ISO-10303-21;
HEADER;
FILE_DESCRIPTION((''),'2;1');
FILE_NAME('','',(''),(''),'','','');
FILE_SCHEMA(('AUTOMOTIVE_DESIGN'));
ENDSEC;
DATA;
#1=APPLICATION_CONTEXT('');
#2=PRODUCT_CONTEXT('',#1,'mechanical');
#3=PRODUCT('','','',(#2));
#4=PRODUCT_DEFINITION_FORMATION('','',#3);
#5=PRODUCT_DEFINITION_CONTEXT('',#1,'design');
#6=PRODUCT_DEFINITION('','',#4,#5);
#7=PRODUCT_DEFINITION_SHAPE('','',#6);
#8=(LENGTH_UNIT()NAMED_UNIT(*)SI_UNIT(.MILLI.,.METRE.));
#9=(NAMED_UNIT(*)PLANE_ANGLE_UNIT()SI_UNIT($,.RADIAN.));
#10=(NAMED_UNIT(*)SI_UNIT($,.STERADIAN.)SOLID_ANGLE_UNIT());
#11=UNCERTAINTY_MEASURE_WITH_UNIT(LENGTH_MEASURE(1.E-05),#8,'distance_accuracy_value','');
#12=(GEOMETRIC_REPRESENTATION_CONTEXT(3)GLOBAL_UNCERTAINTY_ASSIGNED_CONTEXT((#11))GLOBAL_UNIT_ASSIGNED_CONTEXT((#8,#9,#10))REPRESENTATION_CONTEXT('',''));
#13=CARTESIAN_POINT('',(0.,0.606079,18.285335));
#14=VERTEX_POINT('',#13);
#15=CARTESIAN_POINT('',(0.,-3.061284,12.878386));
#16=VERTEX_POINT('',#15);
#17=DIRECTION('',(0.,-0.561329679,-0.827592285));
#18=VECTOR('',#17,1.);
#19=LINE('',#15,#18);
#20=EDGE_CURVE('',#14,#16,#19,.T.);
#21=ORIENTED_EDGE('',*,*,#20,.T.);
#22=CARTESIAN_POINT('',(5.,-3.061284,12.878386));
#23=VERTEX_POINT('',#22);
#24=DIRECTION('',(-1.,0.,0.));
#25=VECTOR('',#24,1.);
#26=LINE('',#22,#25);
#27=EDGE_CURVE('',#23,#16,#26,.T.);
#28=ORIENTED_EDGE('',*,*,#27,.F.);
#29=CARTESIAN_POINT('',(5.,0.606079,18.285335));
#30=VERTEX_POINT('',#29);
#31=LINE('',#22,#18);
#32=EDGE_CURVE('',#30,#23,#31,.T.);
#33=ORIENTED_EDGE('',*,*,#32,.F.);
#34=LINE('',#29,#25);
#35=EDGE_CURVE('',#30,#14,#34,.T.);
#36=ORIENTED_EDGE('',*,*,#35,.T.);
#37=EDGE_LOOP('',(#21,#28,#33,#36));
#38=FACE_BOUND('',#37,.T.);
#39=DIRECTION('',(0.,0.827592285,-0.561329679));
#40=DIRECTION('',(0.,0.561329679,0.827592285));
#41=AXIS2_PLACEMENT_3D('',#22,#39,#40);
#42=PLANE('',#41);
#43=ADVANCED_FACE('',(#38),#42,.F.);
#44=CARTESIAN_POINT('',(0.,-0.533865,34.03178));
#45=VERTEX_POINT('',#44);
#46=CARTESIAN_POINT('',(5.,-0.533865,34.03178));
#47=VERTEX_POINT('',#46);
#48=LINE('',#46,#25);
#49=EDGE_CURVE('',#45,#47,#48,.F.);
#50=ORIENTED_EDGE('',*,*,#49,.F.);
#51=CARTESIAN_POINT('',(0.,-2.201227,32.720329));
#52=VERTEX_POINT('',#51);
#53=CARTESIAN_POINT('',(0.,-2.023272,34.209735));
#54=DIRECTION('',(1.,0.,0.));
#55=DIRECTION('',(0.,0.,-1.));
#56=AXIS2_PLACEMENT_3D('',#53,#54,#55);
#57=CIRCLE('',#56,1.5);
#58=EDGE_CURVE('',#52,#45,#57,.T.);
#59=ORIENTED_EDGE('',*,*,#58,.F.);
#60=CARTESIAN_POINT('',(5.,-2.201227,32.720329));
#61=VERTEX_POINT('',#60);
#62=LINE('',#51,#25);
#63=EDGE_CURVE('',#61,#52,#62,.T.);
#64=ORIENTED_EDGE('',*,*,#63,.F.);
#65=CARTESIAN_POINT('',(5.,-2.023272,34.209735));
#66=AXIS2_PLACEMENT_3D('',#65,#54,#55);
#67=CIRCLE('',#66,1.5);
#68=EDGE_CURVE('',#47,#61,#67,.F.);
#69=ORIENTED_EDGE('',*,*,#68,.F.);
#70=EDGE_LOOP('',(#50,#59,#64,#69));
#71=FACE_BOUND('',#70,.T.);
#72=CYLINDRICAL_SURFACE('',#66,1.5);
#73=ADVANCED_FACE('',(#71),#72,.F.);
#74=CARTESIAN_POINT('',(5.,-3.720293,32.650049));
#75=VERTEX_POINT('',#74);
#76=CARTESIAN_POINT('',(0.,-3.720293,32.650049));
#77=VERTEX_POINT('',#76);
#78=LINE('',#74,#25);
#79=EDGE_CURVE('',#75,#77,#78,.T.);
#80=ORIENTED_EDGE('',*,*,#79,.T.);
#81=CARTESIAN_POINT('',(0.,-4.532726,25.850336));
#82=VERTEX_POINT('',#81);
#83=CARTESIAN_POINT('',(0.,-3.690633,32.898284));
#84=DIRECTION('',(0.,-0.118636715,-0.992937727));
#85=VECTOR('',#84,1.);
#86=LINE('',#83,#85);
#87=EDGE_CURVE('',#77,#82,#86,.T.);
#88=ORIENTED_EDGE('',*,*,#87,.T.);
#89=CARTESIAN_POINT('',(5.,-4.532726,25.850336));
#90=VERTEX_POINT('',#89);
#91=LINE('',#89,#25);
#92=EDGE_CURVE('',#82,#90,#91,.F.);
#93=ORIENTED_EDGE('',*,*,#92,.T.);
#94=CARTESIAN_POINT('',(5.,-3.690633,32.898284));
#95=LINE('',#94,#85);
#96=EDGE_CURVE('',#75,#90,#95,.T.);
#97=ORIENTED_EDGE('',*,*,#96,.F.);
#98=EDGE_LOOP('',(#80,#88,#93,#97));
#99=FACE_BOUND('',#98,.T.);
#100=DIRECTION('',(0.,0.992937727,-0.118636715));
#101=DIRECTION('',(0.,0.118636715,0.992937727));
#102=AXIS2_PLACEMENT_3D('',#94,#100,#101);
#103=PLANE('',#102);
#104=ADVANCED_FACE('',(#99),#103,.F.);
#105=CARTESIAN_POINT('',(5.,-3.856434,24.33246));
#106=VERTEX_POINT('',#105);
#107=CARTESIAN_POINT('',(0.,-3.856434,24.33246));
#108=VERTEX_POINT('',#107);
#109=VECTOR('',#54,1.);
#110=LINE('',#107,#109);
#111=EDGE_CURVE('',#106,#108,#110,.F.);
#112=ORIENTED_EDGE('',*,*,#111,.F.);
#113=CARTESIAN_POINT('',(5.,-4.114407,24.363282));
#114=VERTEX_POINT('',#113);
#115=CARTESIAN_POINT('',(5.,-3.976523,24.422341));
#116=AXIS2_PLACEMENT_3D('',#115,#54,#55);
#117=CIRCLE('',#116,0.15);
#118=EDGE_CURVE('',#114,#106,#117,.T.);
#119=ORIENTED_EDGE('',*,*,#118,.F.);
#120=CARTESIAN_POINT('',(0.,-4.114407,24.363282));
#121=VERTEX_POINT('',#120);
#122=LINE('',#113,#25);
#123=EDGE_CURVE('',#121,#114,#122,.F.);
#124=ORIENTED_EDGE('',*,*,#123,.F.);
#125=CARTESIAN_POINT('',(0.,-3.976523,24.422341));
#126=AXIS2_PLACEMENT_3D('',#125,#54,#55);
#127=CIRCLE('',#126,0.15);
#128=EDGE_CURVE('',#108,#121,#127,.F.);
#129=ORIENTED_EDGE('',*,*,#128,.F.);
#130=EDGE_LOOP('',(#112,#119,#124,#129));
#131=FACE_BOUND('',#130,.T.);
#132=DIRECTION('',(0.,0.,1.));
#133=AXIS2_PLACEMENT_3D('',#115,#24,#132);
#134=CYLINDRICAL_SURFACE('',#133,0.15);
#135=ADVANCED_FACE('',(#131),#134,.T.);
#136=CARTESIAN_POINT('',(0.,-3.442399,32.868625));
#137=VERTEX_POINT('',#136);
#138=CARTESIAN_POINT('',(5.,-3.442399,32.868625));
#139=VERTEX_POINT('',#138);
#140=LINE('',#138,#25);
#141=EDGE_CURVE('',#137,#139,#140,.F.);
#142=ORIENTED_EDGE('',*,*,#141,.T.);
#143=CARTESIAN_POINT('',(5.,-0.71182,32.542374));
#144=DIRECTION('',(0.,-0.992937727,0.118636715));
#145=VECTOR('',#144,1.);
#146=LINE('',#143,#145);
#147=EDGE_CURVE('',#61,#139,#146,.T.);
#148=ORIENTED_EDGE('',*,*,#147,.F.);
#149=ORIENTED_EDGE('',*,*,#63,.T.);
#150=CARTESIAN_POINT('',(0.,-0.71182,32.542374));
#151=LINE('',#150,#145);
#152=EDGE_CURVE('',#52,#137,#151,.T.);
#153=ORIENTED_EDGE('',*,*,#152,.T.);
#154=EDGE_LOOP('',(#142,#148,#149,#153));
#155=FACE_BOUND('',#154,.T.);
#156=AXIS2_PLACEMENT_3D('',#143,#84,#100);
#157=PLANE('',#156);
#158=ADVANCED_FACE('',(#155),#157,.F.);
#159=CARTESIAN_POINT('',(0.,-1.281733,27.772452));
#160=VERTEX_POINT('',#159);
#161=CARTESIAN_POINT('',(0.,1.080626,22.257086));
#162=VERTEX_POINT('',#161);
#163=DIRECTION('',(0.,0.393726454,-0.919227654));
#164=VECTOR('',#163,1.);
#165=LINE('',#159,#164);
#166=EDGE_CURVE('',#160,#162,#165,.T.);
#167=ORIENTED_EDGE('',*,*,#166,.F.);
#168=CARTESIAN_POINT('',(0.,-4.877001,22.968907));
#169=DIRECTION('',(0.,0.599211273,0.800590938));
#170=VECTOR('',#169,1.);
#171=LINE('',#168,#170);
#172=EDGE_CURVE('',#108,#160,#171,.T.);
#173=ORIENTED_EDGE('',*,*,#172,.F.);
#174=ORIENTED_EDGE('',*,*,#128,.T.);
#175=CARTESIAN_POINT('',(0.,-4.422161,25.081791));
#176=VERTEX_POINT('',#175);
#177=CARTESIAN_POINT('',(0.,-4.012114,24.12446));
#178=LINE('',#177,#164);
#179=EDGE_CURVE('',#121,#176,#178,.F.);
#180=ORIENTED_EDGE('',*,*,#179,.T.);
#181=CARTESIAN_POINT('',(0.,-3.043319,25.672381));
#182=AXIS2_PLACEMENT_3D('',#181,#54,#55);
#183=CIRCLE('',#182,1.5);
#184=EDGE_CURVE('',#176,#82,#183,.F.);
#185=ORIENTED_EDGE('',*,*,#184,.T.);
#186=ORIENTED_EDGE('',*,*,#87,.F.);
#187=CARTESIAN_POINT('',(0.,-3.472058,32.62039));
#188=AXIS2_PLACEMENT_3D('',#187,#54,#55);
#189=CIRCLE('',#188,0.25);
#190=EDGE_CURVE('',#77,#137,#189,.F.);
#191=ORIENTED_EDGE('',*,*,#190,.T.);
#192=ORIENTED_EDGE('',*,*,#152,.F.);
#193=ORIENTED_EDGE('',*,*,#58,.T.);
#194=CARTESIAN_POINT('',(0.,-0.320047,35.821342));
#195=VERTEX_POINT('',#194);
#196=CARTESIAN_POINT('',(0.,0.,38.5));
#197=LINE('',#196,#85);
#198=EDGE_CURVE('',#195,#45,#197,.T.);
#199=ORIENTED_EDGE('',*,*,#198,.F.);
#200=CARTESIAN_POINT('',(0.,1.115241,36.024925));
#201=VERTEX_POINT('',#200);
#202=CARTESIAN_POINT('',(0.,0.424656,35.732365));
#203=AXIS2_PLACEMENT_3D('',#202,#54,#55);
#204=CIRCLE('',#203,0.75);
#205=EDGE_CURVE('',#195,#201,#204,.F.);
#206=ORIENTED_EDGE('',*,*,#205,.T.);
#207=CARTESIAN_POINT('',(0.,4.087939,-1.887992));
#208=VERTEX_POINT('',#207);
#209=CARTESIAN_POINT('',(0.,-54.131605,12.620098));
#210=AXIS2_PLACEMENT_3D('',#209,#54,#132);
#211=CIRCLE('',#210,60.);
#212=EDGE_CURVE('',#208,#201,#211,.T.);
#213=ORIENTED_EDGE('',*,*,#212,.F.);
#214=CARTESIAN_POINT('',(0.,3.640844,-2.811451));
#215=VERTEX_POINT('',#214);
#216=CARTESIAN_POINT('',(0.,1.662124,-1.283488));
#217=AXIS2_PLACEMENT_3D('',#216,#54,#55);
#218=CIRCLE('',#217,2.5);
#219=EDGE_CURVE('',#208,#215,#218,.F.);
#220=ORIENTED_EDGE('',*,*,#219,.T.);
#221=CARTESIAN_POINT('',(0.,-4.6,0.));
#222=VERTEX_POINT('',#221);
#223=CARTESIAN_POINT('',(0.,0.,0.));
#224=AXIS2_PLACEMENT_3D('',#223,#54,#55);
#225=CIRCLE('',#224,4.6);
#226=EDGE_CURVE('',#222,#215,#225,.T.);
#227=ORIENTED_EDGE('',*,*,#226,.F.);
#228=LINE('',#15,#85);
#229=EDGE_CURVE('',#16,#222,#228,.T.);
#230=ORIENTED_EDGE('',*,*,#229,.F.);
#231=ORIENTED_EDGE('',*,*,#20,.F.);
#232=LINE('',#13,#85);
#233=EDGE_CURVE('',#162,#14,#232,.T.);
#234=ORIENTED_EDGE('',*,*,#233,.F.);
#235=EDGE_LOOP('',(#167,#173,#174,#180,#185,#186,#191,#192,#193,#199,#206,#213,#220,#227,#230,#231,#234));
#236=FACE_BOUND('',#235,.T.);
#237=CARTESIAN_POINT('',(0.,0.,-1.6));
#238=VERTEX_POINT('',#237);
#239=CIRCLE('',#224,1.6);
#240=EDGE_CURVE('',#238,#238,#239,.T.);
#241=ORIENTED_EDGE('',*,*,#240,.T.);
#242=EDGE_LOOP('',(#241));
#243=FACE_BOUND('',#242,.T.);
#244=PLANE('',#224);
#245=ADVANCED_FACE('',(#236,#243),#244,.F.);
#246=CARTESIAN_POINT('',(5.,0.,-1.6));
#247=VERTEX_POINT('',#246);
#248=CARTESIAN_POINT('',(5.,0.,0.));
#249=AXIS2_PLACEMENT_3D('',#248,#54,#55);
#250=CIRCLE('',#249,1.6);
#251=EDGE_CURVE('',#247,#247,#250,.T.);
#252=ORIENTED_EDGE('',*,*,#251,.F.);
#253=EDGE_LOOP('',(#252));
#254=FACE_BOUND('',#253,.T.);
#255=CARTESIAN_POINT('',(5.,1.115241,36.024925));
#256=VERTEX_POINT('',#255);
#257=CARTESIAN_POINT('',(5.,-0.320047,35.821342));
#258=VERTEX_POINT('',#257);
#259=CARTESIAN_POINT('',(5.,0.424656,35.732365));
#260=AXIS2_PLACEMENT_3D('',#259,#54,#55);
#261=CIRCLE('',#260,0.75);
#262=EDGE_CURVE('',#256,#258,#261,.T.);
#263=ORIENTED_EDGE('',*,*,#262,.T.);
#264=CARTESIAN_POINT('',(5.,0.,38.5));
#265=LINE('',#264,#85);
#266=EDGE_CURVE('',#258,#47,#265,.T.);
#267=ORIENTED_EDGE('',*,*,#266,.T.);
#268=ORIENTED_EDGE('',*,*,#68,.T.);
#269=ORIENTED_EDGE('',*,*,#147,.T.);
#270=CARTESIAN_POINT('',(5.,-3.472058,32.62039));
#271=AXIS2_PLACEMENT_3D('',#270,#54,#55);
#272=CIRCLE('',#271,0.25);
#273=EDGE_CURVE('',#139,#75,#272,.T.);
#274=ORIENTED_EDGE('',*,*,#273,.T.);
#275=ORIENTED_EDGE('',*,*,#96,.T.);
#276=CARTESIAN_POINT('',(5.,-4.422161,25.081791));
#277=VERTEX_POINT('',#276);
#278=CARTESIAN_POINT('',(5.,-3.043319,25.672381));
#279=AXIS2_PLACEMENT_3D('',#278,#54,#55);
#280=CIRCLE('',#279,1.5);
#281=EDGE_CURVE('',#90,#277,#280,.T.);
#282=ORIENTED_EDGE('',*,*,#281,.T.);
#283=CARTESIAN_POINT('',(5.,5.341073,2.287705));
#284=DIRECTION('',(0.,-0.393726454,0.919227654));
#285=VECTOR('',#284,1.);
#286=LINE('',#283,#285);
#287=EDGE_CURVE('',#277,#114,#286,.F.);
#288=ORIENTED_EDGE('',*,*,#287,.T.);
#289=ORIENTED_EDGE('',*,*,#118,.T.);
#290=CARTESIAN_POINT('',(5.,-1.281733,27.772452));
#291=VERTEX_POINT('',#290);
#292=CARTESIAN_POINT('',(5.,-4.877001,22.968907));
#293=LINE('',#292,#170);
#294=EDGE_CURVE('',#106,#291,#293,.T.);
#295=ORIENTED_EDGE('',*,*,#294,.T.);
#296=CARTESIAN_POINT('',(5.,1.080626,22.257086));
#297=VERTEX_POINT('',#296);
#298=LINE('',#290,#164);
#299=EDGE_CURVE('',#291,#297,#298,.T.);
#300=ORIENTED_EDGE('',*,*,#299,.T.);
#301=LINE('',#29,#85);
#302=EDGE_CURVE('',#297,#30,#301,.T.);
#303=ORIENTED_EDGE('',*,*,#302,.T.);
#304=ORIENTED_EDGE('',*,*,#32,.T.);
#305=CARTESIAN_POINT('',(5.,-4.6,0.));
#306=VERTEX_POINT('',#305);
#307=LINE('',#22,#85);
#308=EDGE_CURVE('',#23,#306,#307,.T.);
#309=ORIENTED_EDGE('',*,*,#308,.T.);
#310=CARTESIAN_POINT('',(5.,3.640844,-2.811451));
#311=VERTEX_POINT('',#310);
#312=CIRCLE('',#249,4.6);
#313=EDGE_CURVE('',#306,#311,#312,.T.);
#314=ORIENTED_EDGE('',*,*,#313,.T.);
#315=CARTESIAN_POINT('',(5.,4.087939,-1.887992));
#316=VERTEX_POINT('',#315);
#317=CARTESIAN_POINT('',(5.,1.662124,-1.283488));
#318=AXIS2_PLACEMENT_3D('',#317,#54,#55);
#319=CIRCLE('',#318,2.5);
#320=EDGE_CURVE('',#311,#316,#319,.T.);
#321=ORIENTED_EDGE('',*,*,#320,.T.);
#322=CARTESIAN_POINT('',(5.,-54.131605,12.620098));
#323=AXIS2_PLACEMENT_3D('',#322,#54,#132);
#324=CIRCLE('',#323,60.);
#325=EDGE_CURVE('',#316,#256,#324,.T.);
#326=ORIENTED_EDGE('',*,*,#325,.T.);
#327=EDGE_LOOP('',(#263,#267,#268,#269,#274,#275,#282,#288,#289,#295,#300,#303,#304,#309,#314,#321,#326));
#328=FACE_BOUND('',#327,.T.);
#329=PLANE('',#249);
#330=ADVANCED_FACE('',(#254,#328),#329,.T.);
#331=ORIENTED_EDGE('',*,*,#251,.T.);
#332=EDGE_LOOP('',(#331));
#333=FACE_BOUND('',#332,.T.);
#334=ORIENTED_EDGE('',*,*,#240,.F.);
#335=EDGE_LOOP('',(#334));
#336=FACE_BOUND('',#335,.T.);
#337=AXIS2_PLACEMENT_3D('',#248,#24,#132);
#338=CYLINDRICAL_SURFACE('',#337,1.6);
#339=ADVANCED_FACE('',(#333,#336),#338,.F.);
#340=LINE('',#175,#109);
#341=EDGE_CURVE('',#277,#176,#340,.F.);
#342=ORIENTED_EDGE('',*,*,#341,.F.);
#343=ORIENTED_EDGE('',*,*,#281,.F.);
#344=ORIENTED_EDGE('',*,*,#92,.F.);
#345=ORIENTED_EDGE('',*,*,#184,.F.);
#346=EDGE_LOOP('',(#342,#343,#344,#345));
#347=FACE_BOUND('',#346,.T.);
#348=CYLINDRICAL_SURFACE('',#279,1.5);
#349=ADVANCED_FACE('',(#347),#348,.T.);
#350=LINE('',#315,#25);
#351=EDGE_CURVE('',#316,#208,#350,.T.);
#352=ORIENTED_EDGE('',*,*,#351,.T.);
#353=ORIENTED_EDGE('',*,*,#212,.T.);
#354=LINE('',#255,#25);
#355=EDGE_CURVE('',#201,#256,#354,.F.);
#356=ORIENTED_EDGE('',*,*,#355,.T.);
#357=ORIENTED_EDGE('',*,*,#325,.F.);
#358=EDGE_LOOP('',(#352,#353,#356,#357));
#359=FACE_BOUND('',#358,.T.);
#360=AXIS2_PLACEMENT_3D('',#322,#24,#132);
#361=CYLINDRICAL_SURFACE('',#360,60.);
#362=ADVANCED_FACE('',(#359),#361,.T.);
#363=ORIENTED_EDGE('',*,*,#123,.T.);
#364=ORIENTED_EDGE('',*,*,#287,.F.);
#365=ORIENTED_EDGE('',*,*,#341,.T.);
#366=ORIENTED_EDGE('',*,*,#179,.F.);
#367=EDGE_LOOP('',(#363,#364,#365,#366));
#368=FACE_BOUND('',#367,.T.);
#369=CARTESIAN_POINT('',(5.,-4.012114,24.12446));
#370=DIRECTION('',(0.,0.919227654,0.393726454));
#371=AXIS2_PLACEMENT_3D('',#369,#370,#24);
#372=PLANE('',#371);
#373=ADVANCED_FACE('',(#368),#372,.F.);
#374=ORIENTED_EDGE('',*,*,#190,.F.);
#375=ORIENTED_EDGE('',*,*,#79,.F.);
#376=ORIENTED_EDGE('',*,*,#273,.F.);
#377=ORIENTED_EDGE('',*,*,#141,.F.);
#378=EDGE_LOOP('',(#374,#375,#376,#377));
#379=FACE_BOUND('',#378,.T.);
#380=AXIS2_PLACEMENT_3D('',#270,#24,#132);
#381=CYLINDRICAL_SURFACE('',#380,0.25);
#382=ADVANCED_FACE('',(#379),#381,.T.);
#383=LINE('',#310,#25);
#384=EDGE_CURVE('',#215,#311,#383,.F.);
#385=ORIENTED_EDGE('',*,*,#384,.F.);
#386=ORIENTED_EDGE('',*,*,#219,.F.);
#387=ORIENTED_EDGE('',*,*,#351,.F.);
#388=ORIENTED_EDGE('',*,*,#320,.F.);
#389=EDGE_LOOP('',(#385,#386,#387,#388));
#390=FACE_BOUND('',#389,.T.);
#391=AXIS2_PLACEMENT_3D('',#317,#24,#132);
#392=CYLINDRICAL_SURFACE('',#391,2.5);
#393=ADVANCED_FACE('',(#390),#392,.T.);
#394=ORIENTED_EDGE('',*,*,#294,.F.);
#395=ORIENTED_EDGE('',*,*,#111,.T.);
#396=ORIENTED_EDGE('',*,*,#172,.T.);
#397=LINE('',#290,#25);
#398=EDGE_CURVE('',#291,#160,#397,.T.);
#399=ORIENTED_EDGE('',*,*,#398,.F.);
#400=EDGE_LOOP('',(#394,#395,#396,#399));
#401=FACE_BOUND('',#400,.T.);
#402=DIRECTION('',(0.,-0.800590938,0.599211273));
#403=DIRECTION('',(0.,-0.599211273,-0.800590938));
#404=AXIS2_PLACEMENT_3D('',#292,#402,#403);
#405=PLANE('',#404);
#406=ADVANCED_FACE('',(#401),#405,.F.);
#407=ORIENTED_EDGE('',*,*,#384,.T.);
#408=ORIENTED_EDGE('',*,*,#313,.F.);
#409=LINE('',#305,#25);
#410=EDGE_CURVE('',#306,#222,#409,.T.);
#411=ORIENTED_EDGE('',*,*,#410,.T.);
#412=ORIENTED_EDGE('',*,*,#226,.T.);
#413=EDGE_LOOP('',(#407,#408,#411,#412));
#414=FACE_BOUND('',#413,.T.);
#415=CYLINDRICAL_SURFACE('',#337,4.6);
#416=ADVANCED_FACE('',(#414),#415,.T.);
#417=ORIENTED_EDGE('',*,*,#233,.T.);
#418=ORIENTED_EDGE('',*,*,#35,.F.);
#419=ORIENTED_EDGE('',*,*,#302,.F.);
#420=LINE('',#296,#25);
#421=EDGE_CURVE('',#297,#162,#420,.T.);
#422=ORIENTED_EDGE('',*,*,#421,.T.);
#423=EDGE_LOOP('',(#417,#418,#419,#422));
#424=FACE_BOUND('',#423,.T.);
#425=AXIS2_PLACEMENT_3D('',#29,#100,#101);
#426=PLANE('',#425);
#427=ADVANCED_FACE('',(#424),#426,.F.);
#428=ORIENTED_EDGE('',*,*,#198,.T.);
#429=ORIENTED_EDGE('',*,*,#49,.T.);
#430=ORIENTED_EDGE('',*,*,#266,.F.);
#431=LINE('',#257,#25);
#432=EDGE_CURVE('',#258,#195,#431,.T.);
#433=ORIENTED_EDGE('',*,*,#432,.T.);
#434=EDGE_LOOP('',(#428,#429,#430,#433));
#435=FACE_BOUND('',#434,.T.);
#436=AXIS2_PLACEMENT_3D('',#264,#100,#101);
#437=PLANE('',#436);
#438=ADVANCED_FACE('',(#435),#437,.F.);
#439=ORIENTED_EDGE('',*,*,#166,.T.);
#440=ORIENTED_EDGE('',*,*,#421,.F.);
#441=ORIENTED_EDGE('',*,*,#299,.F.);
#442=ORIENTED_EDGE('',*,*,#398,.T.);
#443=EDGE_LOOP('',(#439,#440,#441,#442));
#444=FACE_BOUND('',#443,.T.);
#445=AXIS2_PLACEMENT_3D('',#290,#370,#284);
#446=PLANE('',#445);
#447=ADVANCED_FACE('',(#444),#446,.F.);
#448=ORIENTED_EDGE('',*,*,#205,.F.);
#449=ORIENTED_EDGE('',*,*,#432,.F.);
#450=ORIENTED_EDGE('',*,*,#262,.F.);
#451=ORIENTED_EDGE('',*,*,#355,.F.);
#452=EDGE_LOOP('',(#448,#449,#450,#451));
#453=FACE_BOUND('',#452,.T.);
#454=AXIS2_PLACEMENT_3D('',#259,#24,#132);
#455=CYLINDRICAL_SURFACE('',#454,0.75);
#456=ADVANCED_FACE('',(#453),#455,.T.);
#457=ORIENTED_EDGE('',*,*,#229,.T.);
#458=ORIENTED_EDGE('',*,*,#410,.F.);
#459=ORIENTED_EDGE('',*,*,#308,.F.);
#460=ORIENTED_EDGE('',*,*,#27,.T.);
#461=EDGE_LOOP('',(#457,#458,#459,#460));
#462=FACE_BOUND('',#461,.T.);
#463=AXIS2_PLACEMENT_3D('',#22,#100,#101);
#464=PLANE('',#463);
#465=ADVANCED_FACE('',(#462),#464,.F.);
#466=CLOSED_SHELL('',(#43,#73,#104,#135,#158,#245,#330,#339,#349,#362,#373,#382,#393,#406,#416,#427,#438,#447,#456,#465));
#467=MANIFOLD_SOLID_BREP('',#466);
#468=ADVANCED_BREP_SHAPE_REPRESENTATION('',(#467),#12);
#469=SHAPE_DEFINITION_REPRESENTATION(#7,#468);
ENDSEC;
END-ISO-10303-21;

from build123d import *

# Parameters (mm, degrees)
SKETCH2_R           = 1.6
BOSS_EXTRUDE1_DEPTH = 5
FILLET2_R           = 1.5
CHAMFER1_SIZE       = 2.5
CHAMFER1_SIZE2      = 1.443375673
FILLET3_R           = 1.5
FILLET4_R           = 0.25
FILLET5_R           = 0.15
FILLET6_R           = 0.75
FILLET7_R           = 2.5


with BuildPart() as part:
    # Sketch2 → Boss-Extrude1 (new body)
    with BuildSketch(Plane.YZ):
        with BuildLine():
            Line((0, 38.5), (-0.711820293, 32.542373638))
            Line((-0.711820293, 32.542373638), (-3.690633474, 32.898283784))
            Line((-3.690633474, 32.898283784), (-4.877000628, 22.968906514))
            Line((-4.877000628, 22.968906514), (-1.281732991, 27.772452143))
            Line((-1.281732991, 27.772452143), (1.080625734, 22.257086221))
            Line((1.080625734, 22.257086221), (0.606078872, 18.285335313))
            Line((0.606078872, 18.285335313), (-3.061283722, 12.878386238))
            Line((-3.061283722, 12.878386238), (-4.6, 0))
            ThreePointArc((-4.6, 0), (-1.190567607, -4.443258801), (3.983716857, -2.3))
            ThreePointArc((3.983716857, -2.3), (5.584415843, 18.450777734), (0, 38.5))
        make_face()
        with Locations(Location((0, 0, 0), (0, 0, 270))):
            Circle(SKETCH2_R, mode=Mode.SUBTRACT)
    extrude(amount=BOSS_EXTRUDE1_DEPTH)

    # Fillet2
    fillet2_edges = [part.edges().sort_by_distance(p)[0] for p in [
        (2.5, -0.711820293, 32.542373638),
    ]]
    fillet(fillet2_edges, radius=FILLET2_R)

    # Chamfer1
    chamfer1_edges = [part.edges().sort_by_distance(p)[0] for p in [
        (2.5, -4.877000628, 22.968906514),
    ]]
    chamfer1_side = [part.faces().sort_by_distance(p)[0] for p in [
        (2.5, -4.283817051, 27.933595149),
    ]]
    chamfer(chamfer1_edges, length=CHAMFER1_SIZE, length2=CHAMFER1_SIZE2, reference=chamfer1_side[0])

    # Fillet3
    fillet3_edges = [part.edges().sort_by_distance(p)[0] for p in [
        (2.5, -4.580408839, 25.451250831),
    ]]
    fillet(fillet3_edges, radius=FILLET3_R)

    # Fillet4
    fillet4_edges = [part.edges().sort_by_distance(p)[0] for p in [
        (2.5, -3.690633474, 32.898283784),
    ]]
    fillet(fillet4_edges, radius=FILLET4_R)

    # Fillet5
    fillet5_edges = [part.edges().sort_by_distance(p)[0] for p in [
        (2.5, -4.012113654, 24.124459998),
    ]]
    fillet(fillet5_edges, radius=FILLET5_R)

    # Fillet6
    fillet6_edges = [part.edges().sort_by_distance(p)[0] for p in [
        (2.5, 0, 38.5),
    ]]
    fillet(fillet6_edges, radius=FILLET6_R)

    # Fillet7
    fillet7_edges = [part.edges().sort_by_distance(p)[0] for p in [
        (2.5, 3.983716857, -2.3),
    ]]
    fillet(fillet7_edges, radius=FILLET7_R)


solid = part.part
